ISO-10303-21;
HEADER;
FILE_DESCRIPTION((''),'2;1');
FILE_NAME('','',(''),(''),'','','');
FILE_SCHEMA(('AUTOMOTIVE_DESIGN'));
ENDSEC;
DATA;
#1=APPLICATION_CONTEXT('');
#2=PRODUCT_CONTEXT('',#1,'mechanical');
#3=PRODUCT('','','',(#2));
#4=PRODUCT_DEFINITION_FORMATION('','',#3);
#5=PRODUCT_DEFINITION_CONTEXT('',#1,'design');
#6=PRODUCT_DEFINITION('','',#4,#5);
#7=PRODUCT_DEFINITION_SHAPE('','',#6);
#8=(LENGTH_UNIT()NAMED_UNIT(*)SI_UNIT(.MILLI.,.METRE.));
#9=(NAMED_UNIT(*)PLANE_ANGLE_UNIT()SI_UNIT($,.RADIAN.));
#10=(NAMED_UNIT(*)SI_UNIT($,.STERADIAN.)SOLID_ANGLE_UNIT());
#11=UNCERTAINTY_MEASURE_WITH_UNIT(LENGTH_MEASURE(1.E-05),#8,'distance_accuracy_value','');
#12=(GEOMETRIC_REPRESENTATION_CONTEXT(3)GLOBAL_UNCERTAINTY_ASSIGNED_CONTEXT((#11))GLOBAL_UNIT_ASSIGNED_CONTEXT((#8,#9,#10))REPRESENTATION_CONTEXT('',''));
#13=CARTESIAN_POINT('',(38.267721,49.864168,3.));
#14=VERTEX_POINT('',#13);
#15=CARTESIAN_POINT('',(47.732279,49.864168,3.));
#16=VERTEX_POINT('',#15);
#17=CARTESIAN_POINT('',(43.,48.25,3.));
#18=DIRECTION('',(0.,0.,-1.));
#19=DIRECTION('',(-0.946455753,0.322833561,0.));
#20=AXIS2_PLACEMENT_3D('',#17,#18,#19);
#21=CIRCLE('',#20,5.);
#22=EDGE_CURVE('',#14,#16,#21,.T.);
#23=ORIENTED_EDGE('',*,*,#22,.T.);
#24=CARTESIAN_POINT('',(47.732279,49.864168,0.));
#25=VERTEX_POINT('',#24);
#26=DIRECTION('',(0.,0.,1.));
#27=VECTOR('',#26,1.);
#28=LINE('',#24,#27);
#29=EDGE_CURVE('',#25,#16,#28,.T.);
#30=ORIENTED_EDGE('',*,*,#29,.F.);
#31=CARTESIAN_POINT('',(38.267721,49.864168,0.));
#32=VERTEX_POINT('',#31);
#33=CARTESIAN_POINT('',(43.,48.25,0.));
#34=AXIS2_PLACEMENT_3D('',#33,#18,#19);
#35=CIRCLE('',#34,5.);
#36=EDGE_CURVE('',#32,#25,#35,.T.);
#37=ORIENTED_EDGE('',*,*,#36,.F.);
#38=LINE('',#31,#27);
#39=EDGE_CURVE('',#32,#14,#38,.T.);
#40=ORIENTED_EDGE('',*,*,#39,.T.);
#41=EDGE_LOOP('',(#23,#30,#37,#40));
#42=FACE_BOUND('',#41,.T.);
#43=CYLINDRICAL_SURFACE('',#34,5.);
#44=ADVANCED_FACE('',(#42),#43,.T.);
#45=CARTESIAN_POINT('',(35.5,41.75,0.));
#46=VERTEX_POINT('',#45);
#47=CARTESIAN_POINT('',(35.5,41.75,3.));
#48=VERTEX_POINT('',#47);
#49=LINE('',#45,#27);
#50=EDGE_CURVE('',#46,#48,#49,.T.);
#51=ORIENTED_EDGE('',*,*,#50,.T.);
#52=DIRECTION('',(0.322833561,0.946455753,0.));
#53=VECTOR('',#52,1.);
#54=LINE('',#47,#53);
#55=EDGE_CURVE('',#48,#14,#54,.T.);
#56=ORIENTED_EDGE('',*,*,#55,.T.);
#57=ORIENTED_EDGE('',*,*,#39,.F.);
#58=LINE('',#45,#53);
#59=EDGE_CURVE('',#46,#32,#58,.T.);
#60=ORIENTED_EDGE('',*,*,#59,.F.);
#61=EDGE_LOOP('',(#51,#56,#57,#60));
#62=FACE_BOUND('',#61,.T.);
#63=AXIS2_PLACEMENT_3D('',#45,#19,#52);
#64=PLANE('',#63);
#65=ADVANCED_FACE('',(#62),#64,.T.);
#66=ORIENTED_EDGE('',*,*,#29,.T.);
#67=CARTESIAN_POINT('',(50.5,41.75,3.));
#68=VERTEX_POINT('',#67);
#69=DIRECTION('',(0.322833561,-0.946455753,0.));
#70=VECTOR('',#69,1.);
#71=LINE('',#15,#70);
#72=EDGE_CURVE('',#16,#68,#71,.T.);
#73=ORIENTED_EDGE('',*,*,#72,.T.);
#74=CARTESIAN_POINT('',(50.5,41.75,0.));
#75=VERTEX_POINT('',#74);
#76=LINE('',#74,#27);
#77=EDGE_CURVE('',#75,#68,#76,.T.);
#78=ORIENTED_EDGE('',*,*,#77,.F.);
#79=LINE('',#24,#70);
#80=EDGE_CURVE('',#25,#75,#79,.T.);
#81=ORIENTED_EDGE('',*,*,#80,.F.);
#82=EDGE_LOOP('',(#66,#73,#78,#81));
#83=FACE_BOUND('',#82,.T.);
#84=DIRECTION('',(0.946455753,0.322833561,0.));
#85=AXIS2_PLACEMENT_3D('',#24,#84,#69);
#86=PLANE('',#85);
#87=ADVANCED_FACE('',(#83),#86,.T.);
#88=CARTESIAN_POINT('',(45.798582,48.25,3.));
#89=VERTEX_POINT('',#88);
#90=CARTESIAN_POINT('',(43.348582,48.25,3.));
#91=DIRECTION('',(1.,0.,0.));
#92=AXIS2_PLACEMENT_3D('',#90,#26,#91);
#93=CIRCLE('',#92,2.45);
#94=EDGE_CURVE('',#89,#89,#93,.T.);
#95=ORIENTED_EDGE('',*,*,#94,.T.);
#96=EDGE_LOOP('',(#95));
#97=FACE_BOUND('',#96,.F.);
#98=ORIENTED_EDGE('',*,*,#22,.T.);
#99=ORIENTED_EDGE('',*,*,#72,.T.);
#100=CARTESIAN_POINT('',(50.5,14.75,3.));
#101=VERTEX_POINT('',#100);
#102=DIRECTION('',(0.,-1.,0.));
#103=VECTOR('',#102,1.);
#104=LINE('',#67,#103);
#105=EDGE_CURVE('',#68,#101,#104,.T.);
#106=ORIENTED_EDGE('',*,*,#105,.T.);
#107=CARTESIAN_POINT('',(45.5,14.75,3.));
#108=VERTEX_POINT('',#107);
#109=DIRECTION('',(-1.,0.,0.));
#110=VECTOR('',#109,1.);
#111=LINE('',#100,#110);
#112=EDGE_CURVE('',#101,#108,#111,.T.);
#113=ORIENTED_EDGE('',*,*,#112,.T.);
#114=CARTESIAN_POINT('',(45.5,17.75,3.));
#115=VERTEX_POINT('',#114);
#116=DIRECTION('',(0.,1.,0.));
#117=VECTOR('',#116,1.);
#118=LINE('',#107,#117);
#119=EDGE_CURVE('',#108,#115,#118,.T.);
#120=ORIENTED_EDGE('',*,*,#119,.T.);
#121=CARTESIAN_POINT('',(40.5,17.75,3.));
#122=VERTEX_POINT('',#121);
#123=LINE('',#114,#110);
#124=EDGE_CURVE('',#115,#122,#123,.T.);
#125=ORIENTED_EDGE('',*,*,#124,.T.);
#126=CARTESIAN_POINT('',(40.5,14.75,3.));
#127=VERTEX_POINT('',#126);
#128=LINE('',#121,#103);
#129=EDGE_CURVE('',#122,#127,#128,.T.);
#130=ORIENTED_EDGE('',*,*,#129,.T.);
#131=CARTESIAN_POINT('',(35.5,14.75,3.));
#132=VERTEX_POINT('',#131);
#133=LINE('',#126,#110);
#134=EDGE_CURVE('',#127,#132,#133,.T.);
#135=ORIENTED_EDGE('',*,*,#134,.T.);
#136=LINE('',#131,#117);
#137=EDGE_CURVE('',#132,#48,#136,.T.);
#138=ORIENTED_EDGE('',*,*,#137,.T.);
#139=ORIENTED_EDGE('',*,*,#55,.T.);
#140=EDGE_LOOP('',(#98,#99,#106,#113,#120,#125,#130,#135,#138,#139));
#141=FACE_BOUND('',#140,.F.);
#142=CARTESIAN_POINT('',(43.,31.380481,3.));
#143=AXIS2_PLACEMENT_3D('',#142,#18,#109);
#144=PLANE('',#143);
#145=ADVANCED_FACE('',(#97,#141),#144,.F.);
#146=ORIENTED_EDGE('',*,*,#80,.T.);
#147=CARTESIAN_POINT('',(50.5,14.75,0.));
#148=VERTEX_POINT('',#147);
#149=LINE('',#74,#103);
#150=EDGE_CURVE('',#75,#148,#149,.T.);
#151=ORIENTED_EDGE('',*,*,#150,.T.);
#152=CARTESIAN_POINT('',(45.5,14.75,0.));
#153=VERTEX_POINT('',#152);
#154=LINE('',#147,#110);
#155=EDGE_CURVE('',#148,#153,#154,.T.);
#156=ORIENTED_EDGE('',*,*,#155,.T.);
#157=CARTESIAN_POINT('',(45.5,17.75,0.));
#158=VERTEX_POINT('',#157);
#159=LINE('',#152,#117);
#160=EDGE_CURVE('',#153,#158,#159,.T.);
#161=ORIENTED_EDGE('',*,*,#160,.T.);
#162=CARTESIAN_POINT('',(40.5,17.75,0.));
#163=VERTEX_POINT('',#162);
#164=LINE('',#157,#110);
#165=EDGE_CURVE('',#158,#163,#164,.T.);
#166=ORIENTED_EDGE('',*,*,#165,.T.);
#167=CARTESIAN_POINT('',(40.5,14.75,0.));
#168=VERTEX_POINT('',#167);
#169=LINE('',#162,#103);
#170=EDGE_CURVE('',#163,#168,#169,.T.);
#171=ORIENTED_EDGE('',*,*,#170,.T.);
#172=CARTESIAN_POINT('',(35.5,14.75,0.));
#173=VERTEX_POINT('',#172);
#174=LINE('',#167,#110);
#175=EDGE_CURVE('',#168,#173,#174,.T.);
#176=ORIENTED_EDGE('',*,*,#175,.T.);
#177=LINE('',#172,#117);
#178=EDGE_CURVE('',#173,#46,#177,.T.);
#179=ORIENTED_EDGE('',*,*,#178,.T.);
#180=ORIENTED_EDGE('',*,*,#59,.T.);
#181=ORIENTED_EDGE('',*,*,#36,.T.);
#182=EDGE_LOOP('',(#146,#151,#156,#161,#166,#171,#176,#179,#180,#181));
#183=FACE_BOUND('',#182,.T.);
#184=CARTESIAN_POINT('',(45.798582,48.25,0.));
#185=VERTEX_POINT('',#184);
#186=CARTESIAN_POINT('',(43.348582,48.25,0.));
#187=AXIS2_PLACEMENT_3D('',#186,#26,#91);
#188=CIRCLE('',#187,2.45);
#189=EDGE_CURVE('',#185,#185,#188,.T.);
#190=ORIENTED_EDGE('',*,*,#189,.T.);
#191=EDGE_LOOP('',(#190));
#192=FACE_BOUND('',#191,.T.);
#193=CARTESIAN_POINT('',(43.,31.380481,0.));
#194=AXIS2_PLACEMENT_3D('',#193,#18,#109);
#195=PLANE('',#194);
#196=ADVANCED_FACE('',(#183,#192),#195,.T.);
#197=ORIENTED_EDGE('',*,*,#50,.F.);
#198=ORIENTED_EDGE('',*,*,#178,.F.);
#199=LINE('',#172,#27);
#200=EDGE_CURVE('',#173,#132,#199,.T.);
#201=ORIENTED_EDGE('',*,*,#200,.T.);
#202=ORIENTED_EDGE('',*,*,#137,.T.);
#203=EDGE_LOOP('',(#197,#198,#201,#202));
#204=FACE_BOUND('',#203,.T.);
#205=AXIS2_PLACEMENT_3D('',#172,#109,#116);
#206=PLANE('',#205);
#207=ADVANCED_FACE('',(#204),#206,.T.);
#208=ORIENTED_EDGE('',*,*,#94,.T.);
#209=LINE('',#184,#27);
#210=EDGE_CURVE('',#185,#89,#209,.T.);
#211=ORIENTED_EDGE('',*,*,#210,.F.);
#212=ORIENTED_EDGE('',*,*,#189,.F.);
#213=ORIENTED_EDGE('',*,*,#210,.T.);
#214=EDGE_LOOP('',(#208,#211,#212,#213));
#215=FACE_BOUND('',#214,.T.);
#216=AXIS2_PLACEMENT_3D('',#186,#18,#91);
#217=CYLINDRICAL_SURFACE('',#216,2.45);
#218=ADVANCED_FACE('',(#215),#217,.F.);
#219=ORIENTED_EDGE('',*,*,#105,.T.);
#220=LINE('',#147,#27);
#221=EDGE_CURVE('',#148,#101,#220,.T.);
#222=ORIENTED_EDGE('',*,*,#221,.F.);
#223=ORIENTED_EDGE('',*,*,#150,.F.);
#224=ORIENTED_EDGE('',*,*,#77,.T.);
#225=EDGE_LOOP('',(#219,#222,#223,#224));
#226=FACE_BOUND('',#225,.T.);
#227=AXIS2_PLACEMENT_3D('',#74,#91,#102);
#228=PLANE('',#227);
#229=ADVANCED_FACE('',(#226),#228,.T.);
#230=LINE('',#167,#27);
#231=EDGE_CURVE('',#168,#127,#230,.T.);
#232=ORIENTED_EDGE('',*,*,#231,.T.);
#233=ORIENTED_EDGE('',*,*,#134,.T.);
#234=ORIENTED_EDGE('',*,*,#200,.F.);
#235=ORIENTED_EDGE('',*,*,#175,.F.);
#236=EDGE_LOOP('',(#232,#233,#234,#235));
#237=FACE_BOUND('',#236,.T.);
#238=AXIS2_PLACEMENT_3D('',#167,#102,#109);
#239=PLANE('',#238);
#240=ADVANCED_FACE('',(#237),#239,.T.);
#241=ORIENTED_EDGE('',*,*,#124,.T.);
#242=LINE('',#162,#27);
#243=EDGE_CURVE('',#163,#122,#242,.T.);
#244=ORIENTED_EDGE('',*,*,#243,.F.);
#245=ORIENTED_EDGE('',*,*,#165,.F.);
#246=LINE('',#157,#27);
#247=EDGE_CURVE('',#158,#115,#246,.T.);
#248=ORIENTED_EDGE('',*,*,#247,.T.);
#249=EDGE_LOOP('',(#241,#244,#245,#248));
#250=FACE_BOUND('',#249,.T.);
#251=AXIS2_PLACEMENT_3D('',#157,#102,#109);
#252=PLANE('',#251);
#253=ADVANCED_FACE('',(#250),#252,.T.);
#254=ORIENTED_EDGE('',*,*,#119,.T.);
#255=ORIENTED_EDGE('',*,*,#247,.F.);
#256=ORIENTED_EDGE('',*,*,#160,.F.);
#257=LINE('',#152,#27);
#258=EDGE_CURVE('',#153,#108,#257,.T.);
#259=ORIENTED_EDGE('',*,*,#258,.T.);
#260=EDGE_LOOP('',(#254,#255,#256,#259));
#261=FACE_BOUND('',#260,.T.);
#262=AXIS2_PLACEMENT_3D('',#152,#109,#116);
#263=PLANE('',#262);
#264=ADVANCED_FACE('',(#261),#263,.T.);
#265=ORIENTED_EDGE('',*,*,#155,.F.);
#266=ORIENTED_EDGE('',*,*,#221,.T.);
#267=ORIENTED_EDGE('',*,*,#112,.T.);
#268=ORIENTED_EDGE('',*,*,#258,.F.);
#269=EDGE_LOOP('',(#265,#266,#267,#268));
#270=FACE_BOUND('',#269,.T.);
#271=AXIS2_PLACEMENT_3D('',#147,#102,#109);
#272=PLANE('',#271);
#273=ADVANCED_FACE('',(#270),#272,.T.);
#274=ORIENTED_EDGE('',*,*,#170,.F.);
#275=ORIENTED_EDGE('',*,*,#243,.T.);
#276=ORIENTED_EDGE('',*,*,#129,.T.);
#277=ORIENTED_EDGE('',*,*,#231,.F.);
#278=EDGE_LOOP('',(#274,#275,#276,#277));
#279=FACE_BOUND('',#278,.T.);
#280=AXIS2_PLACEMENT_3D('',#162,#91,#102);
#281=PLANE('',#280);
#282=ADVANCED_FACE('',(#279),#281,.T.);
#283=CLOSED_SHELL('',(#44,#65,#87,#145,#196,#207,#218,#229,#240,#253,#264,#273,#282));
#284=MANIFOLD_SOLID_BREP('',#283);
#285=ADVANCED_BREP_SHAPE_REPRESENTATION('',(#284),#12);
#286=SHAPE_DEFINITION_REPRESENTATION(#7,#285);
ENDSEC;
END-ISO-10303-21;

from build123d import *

# Parameters (mm, degrees)
MODEL_R                 = 2.45
SALIENTE_EXTRUIR1_DEPTH = 3


with BuildPart() as part:
    # Model → Saliente-Extruir1 (new body)
    with BuildSketch(Plane.XY):
        with BuildLine():
            Line((47.732278764, 49.864167804), (50.5, 41.75))
            Line((50.5, 41.75), (50.5, 27.75))
            Line((50.5, 27.75), (50.5, 14.75))
            Line((50.5, 14.75), (45.5, 14.75))
            Line((45.5, 14.75), (45.5, 17.75))
            Line((45.5, 17.75), (40.5, 17.75))
            Line((40.5, 17.75), (40.5, 14.75))
            Line((40.5, 14.75), (35.5, 14.75))
            Line((35.5, 14.75), (35.5, 27.75))
            Line((35.5, 27.75), (35.5, 41.75))
            Line((35.5, 41.75), (38.267721236, 49.864167804))
            ThreePointArc((38.267721236, 49.864167804), (43, 53.25), (47.732278764, 49.864167804))
        make_face()
        with Locations((43.348582377, 48.25)):
            Circle(MODEL_R, mode=Mode.SUBTRACT)
    extrude(amount=SALIENTE_EXTRUIR1_DEPTH)


solid = part.part
